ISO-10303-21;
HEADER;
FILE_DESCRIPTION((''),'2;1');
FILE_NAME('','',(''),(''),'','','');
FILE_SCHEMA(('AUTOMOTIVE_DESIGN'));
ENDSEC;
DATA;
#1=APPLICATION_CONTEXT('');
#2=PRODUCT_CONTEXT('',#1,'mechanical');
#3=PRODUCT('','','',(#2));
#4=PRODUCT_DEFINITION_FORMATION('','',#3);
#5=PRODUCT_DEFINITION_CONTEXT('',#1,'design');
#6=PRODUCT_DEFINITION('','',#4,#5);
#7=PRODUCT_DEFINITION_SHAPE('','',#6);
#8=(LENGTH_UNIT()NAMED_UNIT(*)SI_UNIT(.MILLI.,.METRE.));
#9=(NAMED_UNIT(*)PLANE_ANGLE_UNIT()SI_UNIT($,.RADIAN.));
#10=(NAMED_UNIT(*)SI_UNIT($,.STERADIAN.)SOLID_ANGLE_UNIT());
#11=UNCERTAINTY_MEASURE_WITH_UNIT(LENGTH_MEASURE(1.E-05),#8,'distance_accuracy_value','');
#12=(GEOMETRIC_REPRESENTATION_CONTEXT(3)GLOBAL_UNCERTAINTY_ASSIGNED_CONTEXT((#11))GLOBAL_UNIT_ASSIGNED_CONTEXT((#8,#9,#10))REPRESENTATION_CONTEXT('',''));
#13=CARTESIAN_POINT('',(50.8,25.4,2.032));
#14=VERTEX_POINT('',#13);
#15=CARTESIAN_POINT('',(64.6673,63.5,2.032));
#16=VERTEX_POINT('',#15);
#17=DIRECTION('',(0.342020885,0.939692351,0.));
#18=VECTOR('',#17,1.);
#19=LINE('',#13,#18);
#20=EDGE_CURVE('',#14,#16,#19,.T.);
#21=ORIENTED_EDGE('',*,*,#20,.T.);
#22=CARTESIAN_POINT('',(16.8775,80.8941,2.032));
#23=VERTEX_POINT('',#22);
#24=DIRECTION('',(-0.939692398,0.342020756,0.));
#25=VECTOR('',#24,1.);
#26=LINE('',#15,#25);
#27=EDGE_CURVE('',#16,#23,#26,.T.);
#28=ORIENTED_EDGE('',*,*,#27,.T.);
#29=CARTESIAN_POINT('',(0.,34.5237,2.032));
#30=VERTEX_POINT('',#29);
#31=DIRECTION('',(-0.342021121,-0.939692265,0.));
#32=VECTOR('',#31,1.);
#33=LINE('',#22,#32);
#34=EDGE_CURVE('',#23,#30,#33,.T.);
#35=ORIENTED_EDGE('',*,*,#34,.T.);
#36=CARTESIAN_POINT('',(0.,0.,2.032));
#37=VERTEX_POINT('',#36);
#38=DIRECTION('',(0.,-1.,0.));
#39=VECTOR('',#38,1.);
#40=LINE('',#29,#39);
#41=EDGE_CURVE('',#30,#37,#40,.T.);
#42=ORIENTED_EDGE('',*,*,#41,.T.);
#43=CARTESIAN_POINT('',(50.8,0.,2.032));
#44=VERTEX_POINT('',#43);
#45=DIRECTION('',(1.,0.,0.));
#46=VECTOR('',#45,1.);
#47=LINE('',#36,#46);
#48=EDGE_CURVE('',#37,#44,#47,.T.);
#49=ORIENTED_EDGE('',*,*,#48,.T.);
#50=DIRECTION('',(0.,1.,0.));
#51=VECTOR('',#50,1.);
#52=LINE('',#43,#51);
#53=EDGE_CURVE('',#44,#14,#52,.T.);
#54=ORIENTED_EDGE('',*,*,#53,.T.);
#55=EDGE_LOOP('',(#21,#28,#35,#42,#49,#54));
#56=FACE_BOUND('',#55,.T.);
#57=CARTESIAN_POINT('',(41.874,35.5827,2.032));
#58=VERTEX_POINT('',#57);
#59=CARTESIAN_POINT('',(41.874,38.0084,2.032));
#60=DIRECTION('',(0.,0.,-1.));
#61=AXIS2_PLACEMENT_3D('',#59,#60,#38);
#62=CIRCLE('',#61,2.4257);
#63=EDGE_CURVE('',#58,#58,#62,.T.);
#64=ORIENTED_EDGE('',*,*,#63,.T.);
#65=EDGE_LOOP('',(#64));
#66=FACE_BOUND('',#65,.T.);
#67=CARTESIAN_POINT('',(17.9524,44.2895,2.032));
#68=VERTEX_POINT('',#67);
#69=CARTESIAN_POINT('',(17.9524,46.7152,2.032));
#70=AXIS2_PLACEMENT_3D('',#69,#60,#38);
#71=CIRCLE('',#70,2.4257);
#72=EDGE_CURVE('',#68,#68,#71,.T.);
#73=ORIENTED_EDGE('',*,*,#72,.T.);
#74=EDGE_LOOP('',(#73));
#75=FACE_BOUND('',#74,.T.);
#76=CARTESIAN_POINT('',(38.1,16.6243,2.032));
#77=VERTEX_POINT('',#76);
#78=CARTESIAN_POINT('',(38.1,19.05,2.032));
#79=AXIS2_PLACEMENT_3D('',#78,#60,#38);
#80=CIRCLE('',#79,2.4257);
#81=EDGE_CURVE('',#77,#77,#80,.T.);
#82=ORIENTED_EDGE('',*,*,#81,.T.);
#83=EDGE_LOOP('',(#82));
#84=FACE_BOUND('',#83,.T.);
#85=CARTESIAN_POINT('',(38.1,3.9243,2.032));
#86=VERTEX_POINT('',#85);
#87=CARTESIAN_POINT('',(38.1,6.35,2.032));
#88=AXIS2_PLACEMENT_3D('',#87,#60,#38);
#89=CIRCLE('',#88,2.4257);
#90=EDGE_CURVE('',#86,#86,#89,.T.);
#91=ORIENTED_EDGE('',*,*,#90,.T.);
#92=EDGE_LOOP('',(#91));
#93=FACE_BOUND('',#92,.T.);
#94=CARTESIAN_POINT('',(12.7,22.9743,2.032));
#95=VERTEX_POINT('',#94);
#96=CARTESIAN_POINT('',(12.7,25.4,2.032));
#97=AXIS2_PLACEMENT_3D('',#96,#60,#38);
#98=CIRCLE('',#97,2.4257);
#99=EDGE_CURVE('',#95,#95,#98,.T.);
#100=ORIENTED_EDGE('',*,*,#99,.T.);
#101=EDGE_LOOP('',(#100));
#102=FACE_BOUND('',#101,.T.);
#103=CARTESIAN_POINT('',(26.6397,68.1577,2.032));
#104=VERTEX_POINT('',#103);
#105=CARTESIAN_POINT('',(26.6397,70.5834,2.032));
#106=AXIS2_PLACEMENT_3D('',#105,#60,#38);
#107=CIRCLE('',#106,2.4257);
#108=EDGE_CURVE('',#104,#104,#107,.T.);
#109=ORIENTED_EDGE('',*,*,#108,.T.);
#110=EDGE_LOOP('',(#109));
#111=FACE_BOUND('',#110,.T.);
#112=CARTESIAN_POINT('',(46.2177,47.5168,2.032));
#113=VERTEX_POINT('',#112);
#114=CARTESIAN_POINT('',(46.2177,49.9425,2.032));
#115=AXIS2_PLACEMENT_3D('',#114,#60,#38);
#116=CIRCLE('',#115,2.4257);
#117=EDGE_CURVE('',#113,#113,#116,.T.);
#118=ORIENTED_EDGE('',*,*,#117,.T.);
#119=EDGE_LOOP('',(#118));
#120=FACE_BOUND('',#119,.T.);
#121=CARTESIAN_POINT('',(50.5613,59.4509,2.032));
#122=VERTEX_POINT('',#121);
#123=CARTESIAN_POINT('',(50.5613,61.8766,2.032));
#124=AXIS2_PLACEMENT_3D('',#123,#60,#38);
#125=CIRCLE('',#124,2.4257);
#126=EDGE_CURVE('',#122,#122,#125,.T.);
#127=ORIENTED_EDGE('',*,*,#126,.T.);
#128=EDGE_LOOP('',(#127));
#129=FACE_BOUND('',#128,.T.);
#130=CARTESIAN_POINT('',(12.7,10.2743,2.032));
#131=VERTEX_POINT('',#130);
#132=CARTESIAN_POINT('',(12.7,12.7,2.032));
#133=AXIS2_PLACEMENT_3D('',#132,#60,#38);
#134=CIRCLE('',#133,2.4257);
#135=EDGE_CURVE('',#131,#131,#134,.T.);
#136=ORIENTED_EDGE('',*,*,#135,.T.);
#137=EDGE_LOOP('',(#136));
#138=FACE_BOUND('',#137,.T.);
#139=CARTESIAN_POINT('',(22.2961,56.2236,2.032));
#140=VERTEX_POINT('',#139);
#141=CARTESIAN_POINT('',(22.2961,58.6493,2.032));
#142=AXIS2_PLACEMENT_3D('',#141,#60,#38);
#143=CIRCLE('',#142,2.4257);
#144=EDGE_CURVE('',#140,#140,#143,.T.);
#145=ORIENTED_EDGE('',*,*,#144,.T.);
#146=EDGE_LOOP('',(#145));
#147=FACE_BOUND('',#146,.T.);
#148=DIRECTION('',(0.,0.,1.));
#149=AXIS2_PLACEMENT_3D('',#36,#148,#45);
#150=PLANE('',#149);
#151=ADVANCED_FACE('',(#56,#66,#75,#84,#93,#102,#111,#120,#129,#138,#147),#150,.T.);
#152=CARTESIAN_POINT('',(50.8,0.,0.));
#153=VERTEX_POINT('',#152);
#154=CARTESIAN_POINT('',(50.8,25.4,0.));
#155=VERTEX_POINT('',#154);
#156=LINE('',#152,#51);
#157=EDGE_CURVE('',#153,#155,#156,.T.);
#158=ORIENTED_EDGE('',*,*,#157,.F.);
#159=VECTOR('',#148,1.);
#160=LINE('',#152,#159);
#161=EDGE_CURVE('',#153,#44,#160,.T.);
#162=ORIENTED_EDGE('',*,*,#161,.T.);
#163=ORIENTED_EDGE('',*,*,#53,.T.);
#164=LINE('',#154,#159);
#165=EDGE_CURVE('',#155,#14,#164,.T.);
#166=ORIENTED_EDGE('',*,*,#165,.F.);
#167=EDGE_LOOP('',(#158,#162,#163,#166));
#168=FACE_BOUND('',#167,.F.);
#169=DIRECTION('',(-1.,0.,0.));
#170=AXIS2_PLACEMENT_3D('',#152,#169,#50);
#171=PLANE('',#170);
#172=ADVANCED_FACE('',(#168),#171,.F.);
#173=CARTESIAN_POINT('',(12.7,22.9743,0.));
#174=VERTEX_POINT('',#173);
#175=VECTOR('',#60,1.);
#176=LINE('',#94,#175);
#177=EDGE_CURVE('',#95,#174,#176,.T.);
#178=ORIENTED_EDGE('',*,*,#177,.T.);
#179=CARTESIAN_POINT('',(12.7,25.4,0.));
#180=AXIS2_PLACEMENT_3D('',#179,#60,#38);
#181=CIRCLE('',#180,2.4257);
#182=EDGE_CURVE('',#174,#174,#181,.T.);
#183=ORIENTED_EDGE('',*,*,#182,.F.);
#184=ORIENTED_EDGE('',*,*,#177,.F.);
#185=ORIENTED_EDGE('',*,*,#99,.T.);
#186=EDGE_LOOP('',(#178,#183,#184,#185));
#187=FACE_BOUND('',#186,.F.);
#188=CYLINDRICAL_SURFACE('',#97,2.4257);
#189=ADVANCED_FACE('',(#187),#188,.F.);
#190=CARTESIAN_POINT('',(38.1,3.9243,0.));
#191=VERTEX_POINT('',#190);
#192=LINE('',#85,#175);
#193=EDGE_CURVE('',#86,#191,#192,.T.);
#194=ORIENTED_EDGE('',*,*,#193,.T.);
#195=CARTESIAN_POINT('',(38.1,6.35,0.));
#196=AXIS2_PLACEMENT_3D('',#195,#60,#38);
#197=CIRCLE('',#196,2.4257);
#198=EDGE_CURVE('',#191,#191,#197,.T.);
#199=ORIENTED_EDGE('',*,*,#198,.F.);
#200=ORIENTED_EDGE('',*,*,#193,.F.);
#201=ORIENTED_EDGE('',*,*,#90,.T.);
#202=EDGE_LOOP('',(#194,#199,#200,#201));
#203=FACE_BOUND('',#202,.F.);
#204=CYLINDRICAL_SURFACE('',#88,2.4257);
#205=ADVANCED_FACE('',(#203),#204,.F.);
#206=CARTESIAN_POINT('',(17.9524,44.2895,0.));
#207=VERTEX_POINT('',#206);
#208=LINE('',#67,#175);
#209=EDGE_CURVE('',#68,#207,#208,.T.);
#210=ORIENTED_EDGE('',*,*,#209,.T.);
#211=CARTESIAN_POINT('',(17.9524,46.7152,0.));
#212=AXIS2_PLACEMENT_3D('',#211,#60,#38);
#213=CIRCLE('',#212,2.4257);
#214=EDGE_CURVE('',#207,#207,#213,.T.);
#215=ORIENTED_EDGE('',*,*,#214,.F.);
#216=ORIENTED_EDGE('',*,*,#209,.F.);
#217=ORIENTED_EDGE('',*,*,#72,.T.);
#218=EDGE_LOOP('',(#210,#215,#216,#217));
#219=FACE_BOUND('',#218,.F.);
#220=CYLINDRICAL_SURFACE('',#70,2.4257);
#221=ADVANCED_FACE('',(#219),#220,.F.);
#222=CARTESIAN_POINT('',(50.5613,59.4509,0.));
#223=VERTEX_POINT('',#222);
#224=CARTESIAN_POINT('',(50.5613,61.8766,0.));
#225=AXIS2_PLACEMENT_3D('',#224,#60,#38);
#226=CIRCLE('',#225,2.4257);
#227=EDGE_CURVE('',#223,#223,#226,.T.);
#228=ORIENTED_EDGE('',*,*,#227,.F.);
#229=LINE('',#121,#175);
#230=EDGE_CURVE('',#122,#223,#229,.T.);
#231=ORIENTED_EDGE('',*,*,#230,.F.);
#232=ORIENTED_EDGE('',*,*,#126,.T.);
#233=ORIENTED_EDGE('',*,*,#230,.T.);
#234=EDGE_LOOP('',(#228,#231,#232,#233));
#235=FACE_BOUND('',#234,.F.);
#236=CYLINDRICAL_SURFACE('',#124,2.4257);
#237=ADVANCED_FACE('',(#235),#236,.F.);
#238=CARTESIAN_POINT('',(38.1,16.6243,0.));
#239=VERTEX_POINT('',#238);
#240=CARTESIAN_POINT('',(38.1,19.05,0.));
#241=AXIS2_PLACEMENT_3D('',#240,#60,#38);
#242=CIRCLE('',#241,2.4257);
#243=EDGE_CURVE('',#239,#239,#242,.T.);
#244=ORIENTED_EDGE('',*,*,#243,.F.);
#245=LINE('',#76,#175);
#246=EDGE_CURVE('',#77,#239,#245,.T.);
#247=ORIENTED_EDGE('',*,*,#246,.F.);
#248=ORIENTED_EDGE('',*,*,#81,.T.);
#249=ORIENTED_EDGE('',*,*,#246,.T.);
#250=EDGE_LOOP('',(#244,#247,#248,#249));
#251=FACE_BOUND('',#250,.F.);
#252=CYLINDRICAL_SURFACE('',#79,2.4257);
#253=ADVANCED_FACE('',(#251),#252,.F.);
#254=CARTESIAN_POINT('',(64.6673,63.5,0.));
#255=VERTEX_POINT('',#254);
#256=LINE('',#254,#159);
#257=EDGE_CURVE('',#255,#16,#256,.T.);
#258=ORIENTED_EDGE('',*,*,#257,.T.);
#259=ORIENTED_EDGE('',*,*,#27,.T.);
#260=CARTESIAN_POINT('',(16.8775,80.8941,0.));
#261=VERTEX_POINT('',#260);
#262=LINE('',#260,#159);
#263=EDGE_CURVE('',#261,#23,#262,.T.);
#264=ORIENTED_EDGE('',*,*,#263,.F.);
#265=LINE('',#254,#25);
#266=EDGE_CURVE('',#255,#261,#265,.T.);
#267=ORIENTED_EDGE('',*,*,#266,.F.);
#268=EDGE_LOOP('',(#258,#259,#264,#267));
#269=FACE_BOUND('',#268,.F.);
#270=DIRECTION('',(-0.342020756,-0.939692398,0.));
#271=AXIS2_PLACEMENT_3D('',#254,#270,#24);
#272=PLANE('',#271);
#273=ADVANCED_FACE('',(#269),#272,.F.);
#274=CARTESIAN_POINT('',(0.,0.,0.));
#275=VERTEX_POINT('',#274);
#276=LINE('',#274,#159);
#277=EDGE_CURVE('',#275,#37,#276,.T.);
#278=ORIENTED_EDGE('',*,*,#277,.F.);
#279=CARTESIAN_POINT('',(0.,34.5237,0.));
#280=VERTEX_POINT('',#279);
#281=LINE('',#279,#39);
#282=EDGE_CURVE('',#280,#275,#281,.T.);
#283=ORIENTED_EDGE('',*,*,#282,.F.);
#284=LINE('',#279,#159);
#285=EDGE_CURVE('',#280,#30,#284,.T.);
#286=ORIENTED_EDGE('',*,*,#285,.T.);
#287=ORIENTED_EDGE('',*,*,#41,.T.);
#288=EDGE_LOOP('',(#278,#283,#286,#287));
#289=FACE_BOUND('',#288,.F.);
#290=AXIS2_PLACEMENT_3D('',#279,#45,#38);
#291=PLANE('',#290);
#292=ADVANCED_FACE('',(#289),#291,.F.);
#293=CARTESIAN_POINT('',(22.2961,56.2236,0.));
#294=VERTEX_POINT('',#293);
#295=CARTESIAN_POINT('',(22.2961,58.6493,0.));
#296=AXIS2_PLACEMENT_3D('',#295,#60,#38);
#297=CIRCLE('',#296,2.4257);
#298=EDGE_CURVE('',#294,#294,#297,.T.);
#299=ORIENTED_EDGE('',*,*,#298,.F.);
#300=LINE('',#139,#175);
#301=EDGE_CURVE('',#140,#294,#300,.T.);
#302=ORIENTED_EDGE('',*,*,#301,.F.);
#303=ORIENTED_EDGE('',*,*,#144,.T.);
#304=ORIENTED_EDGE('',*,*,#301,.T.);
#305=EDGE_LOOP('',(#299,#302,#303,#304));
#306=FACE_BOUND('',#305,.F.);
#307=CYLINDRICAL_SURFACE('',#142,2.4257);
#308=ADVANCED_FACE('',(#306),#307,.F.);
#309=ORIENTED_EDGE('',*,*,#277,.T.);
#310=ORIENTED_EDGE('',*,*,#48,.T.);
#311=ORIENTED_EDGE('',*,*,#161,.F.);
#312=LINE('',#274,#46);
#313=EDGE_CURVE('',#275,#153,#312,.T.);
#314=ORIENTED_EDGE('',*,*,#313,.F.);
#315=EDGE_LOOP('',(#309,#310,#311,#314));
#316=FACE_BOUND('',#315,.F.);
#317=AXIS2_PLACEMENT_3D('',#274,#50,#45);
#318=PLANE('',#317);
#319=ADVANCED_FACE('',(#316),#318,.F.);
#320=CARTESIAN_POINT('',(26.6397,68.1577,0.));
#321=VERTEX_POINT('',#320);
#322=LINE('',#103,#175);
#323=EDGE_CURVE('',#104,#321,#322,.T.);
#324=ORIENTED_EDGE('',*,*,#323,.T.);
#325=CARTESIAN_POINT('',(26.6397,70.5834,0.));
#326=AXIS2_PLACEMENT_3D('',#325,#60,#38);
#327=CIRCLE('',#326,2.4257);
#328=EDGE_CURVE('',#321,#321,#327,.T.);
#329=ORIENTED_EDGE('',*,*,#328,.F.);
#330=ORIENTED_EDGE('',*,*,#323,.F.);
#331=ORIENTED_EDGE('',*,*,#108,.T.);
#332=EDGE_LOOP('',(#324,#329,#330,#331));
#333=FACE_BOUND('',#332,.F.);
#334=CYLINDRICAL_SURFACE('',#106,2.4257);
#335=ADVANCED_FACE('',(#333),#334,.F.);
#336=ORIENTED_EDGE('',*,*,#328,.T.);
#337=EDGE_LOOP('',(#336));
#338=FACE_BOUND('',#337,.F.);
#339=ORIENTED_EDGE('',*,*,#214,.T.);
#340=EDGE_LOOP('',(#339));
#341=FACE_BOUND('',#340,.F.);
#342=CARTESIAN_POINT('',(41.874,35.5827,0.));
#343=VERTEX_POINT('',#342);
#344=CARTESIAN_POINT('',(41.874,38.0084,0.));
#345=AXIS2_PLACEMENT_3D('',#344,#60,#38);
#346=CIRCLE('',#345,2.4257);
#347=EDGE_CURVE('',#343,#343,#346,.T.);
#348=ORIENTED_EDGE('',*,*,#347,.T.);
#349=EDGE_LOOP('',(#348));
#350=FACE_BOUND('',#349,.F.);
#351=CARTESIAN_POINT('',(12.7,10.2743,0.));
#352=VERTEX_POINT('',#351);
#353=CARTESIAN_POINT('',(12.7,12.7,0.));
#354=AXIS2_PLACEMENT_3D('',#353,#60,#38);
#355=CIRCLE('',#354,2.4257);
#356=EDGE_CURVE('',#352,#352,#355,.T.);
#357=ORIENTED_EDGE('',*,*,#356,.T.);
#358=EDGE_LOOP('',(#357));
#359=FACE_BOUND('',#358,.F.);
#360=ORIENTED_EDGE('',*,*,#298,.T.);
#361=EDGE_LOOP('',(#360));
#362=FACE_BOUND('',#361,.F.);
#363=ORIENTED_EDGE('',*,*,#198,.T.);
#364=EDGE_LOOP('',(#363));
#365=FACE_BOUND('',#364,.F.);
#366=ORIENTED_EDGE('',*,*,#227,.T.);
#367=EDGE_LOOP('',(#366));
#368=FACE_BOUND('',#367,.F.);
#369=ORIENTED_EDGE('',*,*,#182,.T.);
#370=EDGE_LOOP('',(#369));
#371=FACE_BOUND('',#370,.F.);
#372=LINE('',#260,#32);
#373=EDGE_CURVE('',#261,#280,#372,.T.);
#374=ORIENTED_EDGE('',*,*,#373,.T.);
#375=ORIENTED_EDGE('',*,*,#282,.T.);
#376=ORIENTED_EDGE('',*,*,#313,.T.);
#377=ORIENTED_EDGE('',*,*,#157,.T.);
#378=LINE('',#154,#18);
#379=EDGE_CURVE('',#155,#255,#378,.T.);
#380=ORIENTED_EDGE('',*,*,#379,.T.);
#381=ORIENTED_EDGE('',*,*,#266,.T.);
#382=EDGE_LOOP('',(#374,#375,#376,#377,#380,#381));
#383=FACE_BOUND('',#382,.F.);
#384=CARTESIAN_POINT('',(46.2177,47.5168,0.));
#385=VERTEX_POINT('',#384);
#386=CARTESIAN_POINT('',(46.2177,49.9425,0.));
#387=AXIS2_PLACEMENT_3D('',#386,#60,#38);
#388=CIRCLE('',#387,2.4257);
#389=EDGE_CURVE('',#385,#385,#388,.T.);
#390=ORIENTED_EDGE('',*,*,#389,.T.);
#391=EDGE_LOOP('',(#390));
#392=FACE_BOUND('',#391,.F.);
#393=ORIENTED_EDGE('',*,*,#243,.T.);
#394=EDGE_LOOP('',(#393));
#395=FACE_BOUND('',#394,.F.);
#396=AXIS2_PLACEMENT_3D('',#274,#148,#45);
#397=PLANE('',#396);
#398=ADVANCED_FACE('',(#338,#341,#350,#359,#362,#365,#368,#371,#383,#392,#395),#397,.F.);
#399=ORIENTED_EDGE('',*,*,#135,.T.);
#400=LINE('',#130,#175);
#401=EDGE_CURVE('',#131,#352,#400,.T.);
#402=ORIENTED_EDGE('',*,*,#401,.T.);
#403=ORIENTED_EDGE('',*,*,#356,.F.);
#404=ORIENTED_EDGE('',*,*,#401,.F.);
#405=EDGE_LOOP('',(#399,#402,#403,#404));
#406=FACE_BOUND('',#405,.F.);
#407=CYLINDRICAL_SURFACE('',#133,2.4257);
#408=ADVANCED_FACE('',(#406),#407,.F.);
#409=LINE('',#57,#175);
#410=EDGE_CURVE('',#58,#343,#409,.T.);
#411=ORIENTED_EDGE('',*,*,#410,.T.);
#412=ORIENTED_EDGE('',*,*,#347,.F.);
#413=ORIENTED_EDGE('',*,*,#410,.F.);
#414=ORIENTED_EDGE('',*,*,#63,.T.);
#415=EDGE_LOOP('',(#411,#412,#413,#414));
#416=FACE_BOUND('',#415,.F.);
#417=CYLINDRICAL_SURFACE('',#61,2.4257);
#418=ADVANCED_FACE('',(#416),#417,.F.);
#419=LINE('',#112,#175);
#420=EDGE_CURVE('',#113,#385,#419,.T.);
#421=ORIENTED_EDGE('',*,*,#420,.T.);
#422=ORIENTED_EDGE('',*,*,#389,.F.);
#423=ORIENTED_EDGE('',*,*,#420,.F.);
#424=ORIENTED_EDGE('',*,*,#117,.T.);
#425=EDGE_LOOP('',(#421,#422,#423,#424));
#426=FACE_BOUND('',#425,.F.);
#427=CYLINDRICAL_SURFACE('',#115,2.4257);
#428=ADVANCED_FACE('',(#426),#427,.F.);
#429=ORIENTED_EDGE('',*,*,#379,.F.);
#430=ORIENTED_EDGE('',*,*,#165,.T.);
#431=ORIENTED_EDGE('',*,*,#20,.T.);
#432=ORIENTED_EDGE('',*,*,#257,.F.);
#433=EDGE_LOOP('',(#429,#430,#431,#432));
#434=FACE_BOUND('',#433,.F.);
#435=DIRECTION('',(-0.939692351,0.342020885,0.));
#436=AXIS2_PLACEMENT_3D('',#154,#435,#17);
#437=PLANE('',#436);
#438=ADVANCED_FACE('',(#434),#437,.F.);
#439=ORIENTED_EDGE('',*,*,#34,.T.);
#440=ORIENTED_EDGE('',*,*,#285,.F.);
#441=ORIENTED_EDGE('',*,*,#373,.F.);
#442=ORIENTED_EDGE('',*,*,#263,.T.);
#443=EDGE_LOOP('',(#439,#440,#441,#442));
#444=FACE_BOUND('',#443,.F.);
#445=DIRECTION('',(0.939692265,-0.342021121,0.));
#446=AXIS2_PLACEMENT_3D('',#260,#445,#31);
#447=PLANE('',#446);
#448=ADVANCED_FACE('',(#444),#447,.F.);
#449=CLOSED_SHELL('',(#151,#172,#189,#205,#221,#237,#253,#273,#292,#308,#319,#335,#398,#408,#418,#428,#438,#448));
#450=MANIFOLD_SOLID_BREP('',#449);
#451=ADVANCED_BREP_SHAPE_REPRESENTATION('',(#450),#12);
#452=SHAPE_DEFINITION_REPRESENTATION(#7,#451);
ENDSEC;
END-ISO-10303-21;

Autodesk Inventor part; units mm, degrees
ref_plane "YZ Plane" through (0, 0, 0) normal (1, 0, 0) x (0, 1, 0)
ref_plane "XZ Plane" through (0, 0, 0) normal (0, 1, 0) x (-1, 0, 0)
ref_plane "XY Plane" through (0, 0, 0) normal (0, 0, 1) x (1, 0, 0)
sketch "Sketch1" plane through (0, 0, 0) normal (0, 0, 1) x (1, 0, 0)
  line L0 (0, 0) -> (50.8, 0)
  line L1 (50.8, 0) -> (50.8, 25.4)
  line L2 (50.8, 25.4) -> (64.6673, 63.5)
  line L3 (64.6673, 63.5) -> (16.8775, 80.8941)
  line L4 (16.8775, 80.8941) -> (0, 34.5237)
  line L5 (0, 34.5237) -> (0, 0)
  line L6 (0, 34.5237) -> (50.8, 25.4) construction
  dimension "d0" = 50.8
  dimension "d1" = 160
  dimension "d2" = 25.4
  dimension "d3" = 51.6128
  dimension "d4" = 38.1
extrude "Extrusion1" add sketch "Sketch1" along normal blind 2.032
sketch "Sketch2" plane through (0, 0, 2.032) normal (0, 0, 1) x (1, 0, 0)
  line L0 (0, 0) -> (50.8, 0) projected
  line L1 (50.8, 0) -> (50.8, 25.4) projected
  line L2 (50.8, 25.4) -> (64.6673, 63.5) projected
  line L3 (64.6673, 63.5) -> (16.8775, 80.8941) projected
  line L4 (16.8775, 80.8941) -> (0, 34.5237) projected
  line L5 (0, 34.5237) -> (0, 0) projected
  point P0 (41.874, 38.0084)
  point P1 (46.2177, 49.9425)
  point P2 (50.5613, 61.8766)
  point P3 (17.9524, 46.7152)
  point P4 (22.2961, 58.6493)
  point P5 (26.6397, 70.5834)
  point P6 (38.1, 6.35)
  point P7 (38.1, 19.05)
  point P8 (12.7, 25.4)
  point P9 (12.7, 12.7)
  dimension "d14" = 12.7
  dimension "d15" = 12.7
  dimension "d16" = 12.7
  dimension "d17" = 6.35
  dimension "d18" = 12.7
  dimension "d19" = 12.7
  dimension "d20" = 12.7
  dimension "d21" = 12.7
  dimension "d22" = 12.7
  dimension "d23" = 6.35
  dimension "d24" = 12.7
  dimension "d25" = 12.7
  dimension "d33" = 12.7
  dimension "d34" = 12.7
  dimension "d35" = 6.35
  dimension "d36" = 12.7
  dimension "d37" = 12.7
  dimension "d38" = 12.7
hole "Hole2" at (41.874, 38.0084, 2.032) at (46.2177, 49.9425, 2.032) at (50.5613, 61.8766, 2.032) at (17.9524, 46.7152, 2.032) at (22.2961, 58.6493, 2.032) at (26.6397, 70.5834, 2.032) at (38.1, 6.35, 2.032) at (38.1, 19.05, 2.032) at (12.7, 25.4, 2.032) at (12.7, 12.7, 2.032) direction (0, 0, -1) diameter 4.8514 end through all
properties part number "ARM_071_TwoPieceIntakeGusset" material "Aluminum 6061"
